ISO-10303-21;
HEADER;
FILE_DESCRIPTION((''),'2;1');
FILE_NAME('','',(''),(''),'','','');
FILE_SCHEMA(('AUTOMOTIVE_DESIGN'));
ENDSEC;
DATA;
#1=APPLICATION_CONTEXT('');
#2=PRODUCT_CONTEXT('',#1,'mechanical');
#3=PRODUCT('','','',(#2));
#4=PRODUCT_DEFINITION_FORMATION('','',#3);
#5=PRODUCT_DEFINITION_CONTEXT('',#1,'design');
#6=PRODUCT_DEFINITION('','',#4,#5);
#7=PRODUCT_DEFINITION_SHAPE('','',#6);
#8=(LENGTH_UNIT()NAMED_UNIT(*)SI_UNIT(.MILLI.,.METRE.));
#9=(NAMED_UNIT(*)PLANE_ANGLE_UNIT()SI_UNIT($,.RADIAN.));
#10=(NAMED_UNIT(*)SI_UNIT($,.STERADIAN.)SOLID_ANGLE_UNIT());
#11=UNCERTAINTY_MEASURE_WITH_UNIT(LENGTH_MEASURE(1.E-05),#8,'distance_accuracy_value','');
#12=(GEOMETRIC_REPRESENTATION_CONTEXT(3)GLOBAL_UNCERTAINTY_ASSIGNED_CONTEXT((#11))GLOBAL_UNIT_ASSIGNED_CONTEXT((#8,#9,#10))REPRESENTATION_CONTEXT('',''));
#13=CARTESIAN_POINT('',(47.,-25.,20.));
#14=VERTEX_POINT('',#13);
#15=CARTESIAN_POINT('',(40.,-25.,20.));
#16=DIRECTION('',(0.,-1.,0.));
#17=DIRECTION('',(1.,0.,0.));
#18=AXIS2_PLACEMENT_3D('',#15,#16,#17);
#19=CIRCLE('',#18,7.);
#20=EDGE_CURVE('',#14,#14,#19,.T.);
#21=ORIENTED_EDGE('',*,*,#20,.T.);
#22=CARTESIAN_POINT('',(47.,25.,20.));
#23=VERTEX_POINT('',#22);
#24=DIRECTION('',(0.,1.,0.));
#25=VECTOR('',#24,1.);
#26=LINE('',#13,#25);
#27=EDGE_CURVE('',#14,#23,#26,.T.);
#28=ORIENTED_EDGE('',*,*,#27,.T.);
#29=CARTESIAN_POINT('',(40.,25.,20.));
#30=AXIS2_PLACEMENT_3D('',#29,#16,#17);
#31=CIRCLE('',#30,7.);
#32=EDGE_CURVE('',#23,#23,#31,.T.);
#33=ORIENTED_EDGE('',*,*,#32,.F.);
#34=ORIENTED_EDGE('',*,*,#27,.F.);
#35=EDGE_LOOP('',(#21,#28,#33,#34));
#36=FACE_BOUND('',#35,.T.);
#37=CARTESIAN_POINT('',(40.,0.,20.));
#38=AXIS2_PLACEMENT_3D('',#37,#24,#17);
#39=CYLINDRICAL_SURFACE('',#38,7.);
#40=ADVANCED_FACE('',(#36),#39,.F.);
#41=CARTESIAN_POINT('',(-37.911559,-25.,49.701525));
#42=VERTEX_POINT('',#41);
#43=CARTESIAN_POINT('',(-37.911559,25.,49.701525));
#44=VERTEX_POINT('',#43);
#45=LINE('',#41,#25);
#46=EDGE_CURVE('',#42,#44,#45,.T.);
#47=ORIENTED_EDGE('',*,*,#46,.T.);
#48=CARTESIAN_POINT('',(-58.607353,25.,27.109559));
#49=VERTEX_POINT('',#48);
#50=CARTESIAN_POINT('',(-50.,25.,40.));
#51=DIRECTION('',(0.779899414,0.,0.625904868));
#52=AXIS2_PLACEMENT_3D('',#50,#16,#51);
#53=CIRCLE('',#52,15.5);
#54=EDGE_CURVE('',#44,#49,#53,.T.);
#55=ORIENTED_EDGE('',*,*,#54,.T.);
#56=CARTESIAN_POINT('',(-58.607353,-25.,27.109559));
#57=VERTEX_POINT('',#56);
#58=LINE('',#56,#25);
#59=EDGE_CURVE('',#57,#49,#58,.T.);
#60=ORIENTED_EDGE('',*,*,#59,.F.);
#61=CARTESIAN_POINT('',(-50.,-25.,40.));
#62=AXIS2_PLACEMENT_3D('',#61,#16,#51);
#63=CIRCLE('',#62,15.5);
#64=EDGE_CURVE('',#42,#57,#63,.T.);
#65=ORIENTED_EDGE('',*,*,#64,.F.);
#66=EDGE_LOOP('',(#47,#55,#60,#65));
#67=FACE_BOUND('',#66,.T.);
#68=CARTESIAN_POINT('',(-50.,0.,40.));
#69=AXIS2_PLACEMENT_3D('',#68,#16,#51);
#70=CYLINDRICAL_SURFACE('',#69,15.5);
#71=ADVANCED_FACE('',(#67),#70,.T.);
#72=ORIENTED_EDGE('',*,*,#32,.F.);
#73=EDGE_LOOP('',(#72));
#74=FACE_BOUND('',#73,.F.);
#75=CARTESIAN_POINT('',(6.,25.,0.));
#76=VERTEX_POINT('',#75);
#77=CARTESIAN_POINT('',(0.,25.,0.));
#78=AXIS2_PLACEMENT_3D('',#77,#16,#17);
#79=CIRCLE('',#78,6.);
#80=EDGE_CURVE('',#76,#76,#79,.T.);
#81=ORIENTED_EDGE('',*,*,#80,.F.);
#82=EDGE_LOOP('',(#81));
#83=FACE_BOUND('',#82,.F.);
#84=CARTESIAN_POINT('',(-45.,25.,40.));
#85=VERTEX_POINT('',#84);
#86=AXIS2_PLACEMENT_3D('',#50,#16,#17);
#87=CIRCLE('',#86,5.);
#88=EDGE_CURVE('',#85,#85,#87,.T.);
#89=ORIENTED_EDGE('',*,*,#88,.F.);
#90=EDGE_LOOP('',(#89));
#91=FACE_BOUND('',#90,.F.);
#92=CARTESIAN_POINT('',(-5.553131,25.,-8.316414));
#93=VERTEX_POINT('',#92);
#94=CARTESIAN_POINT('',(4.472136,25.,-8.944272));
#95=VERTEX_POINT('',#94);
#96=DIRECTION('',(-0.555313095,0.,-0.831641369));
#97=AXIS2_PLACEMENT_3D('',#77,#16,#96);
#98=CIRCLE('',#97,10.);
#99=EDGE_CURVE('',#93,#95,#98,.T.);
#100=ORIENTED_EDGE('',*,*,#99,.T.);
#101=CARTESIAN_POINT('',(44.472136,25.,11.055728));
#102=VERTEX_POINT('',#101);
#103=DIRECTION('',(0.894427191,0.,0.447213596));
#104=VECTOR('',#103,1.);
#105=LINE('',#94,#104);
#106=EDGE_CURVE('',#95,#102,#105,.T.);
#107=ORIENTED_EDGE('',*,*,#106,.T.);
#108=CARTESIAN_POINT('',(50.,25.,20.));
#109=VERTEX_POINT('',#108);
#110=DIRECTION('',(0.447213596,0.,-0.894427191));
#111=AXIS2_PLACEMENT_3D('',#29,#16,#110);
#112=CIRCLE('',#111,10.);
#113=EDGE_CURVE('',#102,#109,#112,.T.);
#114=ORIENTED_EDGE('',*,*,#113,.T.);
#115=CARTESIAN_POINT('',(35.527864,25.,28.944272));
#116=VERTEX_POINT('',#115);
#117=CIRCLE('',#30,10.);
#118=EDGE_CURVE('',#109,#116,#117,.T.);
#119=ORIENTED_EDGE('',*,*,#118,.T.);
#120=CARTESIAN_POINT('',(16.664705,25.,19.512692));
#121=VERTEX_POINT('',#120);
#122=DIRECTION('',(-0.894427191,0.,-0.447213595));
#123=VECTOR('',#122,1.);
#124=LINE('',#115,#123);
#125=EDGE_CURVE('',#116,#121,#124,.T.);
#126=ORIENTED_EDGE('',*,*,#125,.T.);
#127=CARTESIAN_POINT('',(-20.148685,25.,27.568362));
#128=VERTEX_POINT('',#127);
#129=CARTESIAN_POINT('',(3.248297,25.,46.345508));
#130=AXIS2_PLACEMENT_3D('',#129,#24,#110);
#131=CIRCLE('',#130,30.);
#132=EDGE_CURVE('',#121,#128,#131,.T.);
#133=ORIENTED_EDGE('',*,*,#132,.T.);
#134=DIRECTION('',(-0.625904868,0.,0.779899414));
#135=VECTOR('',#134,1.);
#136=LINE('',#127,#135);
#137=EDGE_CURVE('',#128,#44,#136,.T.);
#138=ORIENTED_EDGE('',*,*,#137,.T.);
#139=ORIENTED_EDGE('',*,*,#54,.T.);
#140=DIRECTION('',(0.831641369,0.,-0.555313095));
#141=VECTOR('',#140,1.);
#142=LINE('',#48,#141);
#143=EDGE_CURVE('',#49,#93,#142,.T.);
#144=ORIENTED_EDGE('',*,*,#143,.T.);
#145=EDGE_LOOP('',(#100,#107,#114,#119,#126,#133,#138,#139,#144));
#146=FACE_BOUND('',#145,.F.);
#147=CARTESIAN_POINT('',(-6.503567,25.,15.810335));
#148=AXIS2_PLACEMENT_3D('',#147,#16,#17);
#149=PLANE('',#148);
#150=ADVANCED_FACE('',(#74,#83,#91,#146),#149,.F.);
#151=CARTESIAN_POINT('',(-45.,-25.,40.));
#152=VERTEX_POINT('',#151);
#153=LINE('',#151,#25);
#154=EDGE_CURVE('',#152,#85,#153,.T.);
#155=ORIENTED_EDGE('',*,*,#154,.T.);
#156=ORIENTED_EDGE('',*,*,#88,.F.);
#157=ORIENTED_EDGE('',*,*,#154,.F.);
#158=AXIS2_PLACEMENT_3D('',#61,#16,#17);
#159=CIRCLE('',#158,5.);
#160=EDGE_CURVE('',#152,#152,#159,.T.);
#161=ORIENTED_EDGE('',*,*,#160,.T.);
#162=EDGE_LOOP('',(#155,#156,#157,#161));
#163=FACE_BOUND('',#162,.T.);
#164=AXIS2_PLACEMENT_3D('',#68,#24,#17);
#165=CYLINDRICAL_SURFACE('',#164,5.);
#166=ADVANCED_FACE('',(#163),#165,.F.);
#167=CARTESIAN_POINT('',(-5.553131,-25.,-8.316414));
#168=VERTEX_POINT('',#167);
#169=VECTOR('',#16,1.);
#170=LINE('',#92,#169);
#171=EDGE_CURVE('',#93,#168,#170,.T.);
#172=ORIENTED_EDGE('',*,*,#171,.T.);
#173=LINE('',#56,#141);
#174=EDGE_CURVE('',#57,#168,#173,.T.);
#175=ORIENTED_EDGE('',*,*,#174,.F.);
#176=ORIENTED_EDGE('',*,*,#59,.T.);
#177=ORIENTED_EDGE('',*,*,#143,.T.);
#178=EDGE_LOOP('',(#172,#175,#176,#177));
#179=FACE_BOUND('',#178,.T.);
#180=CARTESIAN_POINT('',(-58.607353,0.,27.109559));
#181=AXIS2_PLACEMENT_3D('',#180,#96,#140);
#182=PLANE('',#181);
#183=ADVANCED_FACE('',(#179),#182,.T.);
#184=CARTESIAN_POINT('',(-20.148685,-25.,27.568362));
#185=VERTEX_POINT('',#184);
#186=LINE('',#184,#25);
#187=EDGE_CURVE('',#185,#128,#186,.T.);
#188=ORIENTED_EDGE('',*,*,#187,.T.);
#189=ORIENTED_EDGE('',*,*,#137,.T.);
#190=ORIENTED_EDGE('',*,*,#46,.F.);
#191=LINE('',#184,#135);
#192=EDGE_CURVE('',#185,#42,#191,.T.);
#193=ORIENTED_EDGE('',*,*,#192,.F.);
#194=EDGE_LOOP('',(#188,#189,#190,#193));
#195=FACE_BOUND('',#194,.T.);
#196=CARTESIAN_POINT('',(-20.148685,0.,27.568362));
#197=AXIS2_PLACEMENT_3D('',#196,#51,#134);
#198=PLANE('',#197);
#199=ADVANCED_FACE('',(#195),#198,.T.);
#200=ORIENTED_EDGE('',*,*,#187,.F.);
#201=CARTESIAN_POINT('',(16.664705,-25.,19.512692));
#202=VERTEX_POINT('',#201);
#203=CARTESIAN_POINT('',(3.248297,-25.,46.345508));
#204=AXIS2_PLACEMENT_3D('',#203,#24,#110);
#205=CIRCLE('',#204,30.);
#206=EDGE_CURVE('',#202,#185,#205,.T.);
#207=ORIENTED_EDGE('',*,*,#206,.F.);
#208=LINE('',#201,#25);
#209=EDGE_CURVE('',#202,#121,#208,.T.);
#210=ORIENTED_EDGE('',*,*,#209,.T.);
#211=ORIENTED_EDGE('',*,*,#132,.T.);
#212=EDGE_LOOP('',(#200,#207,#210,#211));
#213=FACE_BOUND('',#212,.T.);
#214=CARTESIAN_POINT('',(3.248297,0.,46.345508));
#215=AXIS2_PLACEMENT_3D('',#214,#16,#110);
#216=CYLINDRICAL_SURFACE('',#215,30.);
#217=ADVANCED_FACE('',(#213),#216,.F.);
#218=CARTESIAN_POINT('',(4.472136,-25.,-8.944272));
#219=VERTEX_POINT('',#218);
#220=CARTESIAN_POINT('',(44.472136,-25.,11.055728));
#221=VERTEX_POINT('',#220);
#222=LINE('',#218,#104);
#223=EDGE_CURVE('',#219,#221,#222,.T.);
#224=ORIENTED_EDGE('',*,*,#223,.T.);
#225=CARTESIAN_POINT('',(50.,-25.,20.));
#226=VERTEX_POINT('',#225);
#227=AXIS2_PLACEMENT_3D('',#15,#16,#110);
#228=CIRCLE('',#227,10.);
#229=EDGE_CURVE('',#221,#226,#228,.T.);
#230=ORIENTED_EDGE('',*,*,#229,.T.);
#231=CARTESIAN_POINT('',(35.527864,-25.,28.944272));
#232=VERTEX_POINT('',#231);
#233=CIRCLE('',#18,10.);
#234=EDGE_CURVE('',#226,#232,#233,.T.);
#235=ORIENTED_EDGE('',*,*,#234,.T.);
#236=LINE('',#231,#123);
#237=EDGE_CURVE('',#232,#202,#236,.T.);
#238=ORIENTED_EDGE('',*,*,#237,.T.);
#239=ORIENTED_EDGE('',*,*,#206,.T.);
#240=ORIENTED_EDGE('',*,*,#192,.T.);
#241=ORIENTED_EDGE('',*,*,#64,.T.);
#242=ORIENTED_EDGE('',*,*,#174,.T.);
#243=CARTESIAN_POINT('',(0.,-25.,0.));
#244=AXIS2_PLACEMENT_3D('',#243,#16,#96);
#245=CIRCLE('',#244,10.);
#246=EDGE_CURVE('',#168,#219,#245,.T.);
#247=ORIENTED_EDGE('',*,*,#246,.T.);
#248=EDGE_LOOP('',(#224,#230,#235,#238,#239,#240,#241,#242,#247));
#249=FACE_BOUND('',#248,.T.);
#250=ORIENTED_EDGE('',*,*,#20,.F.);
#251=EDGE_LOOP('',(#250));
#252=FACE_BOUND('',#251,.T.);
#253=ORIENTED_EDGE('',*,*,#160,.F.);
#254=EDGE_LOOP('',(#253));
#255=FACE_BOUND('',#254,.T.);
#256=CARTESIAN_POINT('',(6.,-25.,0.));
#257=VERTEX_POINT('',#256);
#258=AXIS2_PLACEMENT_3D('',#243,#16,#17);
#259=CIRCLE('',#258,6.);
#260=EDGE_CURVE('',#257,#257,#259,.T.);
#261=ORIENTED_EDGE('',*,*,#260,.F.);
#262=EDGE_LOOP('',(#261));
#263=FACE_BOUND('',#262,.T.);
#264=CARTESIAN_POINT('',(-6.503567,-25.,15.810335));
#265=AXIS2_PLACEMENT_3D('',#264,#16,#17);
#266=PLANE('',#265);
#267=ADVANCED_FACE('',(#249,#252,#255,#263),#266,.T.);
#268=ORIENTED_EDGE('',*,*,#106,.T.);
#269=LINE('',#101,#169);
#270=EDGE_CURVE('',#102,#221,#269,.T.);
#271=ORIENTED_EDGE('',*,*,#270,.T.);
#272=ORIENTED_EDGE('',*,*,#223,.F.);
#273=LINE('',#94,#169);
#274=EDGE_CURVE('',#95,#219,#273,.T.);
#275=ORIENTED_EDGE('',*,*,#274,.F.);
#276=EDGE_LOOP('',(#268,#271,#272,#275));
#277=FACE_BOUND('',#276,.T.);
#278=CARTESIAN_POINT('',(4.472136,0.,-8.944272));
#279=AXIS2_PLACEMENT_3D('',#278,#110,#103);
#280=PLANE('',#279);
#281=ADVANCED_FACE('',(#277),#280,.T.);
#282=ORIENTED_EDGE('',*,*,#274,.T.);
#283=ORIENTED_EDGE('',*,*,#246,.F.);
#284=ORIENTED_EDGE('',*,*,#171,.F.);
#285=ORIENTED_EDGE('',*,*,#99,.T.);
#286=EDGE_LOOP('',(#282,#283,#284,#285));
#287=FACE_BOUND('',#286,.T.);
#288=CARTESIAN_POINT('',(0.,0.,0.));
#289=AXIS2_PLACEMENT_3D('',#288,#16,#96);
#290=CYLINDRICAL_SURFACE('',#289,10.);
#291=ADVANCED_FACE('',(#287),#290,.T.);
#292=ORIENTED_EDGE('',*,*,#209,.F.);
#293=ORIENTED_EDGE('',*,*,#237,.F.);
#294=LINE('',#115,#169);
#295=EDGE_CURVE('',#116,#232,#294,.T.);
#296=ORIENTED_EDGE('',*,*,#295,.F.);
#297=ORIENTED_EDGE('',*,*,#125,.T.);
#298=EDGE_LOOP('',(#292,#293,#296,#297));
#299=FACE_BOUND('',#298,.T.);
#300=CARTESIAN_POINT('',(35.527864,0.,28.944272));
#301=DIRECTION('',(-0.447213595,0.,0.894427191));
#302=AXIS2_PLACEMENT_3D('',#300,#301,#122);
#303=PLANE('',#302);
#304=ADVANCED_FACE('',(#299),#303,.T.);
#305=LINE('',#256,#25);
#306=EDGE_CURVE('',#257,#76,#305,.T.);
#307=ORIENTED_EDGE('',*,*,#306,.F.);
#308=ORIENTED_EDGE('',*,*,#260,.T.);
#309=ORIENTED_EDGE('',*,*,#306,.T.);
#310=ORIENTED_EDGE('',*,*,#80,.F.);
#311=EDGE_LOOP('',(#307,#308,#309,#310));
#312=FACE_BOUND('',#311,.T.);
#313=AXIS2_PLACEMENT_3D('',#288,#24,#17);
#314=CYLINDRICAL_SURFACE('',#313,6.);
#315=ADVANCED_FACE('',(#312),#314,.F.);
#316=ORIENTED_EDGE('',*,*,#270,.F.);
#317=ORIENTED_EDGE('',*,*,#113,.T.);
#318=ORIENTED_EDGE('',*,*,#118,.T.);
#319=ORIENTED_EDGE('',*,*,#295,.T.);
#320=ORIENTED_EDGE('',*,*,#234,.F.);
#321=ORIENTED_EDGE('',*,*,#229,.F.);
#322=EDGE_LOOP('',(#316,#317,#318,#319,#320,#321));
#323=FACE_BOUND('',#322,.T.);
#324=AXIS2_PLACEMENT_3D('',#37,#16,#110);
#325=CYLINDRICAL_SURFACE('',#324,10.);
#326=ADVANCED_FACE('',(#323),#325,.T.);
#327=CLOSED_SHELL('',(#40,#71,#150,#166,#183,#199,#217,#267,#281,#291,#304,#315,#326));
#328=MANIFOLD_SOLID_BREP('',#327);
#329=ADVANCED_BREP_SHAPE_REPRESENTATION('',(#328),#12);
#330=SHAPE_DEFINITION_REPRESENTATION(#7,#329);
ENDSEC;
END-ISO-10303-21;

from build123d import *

# Parameters (mm, degrees)
F0_R     = 5
F0_R_2   = 6
F0_R_3   = 7
F1_DEPTH = 25


with BuildPart() as f1:
    # F0 (on Front) → F1 (new body, symmetric)
    with BuildSketch(Plane.XZ):
        with BuildLine():
            ThreePointArc((-5.553130951, -8.3164136887), (-4.7153308734, 8.8184836993), (10, 0))
            ThreePointArc((10, 0), (8.5065080835, -5.2573111212), (4.472135955, -8.94427191))
            Line((4.472135955, -8.94427191), (44.472135955, 11.05572809))
            ThreePointArc((44.472135955, 11.05572809), (31.05572809, 15.527864045), (35.527864045, 28.94427191))
            Line((35.527864045, 28.94427191), (16.6647048429, 19.512692309))
            ThreePointArc((16.6647048429, 19.512692309), (-3.1646914629, 17.0389630488), (-20.1486854537, 27.5683620073))
            Line((-20.1486854537, 27.5683620073), (-37.911559077, 49.7015254497))
            ThreePointArc((-37.911559077, 49.7015254497), (-35.3777424057, 45.1419434893), (-34.5, 40))
            ThreePointArc((-34.5, 40), (-42.6912371463, 26.3313502661), (-58.607352974, 27.1095587825))
            Line((-58.607352974, 27.1095587825), (-5.553130951, -8.3164136887))
        make_face()
        with BuildLine():
            ThreePointArc((-37.911559077, 49.7015254497), (-61.4292927515, 50.4700175358), (-58.607352974, 27.1095587825))
            ThreePointArc((-58.607352974, 27.1095587825), (-42.6912371463, 26.3313502661), (-34.5, 40))
            ThreePointArc((-34.5, 40), (-35.3777424057, 45.1419434893), (-37.911559077, 49.7015254497))
        make_face()
        with Locations((-50, 40)):
            Circle(F0_R, mode=Mode.SUBTRACT)
        with BuildLine():
            ThreePointArc((4.472135955, -8.94427191), (8.5065080835, -5.2573111212), (10, 0))
            ThreePointArc((10, 0), (-4.7153308734, 8.8184836993), (-5.553130951, -8.3164136887))
            ThreePointArc((-5.553130951, -8.3164136887), (-0.6250512234, -9.9804464313), (4.472135955, -8.94427191))
        make_face()
        Circle(F0_R_2, mode=Mode.SUBTRACT)
        with BuildLine():
            ThreePointArc((35.527864045, 28.94427191), (31.05572809, 15.527864045), (44.472135955, 11.05572809))
            ThreePointArc((44.472135955, 11.05572809), (48.5065080835, 14.7426888788), (50, 20))
            ThreePointArc((50, 20), (45.2573111212, 28.5065080835), (35.527864045, 28.94427191))
        make_face()
        with Locations((40, 20)):
            Circle(F0_R_3, mode=Mode.SUBTRACT)
    extrude(amount=F1_DEPTH, both=True)


solid = f1.part
